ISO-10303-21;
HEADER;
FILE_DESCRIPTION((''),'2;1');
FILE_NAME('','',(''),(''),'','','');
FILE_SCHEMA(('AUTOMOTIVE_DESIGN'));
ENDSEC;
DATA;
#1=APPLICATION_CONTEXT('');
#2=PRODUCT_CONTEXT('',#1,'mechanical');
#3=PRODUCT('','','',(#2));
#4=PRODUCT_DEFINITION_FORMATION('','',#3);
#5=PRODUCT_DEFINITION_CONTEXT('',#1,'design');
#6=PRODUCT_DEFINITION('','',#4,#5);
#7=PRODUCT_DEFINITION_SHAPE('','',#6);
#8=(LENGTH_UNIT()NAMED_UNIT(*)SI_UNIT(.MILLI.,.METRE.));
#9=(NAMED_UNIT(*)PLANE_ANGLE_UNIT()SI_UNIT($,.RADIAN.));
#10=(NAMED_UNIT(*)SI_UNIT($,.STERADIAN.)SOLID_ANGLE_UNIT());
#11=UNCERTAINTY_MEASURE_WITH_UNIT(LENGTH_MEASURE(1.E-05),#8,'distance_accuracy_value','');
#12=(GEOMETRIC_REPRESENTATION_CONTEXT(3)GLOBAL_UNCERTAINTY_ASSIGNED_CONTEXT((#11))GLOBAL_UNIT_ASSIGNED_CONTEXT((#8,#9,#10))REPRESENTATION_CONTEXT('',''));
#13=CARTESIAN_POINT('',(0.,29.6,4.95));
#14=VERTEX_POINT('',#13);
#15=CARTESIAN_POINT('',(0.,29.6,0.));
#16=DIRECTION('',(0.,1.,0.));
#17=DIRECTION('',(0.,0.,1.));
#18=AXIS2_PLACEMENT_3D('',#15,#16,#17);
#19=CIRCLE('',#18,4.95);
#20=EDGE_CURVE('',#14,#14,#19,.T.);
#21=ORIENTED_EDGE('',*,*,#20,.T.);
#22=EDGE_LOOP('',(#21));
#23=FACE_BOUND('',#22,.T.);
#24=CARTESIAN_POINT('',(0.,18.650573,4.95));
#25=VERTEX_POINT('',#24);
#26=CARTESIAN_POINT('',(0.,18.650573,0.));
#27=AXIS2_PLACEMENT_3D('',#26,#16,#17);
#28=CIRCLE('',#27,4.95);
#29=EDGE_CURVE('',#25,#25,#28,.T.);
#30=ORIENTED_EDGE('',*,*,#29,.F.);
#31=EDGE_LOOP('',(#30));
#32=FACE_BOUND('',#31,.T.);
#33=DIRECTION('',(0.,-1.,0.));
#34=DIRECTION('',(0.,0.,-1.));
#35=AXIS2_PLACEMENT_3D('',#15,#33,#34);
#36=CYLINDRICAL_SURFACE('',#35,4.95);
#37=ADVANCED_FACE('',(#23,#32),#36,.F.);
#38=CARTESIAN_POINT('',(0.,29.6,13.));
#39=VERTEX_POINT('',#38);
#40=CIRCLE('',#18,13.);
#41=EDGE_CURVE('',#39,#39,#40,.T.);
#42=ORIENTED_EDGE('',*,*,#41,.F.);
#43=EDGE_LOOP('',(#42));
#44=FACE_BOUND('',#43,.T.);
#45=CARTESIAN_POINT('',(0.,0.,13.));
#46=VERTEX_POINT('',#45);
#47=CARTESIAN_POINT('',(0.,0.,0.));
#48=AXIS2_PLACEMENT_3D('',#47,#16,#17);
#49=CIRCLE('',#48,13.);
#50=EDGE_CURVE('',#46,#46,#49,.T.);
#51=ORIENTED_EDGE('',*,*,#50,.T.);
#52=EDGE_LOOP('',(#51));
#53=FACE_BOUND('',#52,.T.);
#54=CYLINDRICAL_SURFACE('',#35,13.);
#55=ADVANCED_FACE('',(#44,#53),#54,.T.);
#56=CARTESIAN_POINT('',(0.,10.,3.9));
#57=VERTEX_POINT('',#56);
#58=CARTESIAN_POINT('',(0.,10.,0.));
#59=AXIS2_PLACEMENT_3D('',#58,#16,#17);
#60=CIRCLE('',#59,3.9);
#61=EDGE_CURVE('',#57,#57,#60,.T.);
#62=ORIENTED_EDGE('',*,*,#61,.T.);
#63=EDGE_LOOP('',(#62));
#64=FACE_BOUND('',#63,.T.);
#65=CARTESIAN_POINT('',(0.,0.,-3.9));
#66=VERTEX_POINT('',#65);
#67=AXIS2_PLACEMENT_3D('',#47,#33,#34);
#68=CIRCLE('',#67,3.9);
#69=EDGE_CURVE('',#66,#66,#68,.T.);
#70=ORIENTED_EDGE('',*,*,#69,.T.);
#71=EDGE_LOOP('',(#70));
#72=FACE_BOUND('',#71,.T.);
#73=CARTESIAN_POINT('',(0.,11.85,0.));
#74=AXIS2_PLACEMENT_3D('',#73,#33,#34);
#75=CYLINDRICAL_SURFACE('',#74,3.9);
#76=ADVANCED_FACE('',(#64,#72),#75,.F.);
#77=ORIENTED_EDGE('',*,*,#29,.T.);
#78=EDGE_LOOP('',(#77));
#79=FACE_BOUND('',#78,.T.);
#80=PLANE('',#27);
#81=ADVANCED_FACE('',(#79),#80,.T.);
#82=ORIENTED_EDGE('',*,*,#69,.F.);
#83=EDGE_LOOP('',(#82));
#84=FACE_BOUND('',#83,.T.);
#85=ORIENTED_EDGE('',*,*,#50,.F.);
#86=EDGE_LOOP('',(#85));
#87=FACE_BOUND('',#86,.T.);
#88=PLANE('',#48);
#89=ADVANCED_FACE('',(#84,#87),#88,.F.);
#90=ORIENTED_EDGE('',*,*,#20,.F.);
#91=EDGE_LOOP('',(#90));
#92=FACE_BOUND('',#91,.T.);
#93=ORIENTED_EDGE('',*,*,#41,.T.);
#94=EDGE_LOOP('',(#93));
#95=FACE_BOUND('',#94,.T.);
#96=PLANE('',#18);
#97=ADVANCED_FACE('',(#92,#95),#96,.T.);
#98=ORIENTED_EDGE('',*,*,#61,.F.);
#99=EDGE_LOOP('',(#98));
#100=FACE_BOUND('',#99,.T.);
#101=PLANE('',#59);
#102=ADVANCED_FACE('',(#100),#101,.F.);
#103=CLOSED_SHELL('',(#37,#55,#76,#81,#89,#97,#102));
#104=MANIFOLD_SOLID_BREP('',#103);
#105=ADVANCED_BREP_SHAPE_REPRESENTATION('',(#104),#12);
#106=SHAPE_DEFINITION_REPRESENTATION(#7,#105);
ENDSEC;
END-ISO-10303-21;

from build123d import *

# Parameters (mm, degrees)
SKETCH1_R           = 13
SKETCH1_R_2         = 4.95
BOSS_EXTRUDE1_DEPTH = 29.6
SKETCH2_R           = 4.95
BOSS_EXTRUDE3_DEPTH = 8.650573
SKETCH3_R           = 4.95
SKETCH3_R_2         = 3.9
BOSS_EXTRUDE4_DEPTH = 11.85


with BuildPart() as part:
    # Sketch1 → Boss-Extrude1 (new body)
    with BuildSketch(Plane(origin=(0, 0, 0), x_dir=(1, 0, 0), z_dir=(0, 1, 0))):
        Circle(SKETCH1_R)
        Circle(SKETCH1_R_2, mode=Mode.SUBTRACT)
    extrude(amount=BOSS_EXTRUDE1_DEPTH)

    # Sketch2 → Boss-Extrude3 (add)
    with BuildSketch(Plane(origin=(0, 18.650573, 0), x_dir=(1, 0, 0), z_dir=(0, 1, 0))):
        Circle(SKETCH2_R)
    extrude(amount=-BOSS_EXTRUDE3_DEPTH)

    # Sketch3 → Boss-Extrude4 (add)
    with BuildSketch(Plane.XZ):
        Circle(SKETCH3_R)
        Circle(SKETCH3_R_2, mode=Mode.SUBTRACT)
    extrude(amount=-BOSS_EXTRUDE4_DEPTH)


solid = part.part
